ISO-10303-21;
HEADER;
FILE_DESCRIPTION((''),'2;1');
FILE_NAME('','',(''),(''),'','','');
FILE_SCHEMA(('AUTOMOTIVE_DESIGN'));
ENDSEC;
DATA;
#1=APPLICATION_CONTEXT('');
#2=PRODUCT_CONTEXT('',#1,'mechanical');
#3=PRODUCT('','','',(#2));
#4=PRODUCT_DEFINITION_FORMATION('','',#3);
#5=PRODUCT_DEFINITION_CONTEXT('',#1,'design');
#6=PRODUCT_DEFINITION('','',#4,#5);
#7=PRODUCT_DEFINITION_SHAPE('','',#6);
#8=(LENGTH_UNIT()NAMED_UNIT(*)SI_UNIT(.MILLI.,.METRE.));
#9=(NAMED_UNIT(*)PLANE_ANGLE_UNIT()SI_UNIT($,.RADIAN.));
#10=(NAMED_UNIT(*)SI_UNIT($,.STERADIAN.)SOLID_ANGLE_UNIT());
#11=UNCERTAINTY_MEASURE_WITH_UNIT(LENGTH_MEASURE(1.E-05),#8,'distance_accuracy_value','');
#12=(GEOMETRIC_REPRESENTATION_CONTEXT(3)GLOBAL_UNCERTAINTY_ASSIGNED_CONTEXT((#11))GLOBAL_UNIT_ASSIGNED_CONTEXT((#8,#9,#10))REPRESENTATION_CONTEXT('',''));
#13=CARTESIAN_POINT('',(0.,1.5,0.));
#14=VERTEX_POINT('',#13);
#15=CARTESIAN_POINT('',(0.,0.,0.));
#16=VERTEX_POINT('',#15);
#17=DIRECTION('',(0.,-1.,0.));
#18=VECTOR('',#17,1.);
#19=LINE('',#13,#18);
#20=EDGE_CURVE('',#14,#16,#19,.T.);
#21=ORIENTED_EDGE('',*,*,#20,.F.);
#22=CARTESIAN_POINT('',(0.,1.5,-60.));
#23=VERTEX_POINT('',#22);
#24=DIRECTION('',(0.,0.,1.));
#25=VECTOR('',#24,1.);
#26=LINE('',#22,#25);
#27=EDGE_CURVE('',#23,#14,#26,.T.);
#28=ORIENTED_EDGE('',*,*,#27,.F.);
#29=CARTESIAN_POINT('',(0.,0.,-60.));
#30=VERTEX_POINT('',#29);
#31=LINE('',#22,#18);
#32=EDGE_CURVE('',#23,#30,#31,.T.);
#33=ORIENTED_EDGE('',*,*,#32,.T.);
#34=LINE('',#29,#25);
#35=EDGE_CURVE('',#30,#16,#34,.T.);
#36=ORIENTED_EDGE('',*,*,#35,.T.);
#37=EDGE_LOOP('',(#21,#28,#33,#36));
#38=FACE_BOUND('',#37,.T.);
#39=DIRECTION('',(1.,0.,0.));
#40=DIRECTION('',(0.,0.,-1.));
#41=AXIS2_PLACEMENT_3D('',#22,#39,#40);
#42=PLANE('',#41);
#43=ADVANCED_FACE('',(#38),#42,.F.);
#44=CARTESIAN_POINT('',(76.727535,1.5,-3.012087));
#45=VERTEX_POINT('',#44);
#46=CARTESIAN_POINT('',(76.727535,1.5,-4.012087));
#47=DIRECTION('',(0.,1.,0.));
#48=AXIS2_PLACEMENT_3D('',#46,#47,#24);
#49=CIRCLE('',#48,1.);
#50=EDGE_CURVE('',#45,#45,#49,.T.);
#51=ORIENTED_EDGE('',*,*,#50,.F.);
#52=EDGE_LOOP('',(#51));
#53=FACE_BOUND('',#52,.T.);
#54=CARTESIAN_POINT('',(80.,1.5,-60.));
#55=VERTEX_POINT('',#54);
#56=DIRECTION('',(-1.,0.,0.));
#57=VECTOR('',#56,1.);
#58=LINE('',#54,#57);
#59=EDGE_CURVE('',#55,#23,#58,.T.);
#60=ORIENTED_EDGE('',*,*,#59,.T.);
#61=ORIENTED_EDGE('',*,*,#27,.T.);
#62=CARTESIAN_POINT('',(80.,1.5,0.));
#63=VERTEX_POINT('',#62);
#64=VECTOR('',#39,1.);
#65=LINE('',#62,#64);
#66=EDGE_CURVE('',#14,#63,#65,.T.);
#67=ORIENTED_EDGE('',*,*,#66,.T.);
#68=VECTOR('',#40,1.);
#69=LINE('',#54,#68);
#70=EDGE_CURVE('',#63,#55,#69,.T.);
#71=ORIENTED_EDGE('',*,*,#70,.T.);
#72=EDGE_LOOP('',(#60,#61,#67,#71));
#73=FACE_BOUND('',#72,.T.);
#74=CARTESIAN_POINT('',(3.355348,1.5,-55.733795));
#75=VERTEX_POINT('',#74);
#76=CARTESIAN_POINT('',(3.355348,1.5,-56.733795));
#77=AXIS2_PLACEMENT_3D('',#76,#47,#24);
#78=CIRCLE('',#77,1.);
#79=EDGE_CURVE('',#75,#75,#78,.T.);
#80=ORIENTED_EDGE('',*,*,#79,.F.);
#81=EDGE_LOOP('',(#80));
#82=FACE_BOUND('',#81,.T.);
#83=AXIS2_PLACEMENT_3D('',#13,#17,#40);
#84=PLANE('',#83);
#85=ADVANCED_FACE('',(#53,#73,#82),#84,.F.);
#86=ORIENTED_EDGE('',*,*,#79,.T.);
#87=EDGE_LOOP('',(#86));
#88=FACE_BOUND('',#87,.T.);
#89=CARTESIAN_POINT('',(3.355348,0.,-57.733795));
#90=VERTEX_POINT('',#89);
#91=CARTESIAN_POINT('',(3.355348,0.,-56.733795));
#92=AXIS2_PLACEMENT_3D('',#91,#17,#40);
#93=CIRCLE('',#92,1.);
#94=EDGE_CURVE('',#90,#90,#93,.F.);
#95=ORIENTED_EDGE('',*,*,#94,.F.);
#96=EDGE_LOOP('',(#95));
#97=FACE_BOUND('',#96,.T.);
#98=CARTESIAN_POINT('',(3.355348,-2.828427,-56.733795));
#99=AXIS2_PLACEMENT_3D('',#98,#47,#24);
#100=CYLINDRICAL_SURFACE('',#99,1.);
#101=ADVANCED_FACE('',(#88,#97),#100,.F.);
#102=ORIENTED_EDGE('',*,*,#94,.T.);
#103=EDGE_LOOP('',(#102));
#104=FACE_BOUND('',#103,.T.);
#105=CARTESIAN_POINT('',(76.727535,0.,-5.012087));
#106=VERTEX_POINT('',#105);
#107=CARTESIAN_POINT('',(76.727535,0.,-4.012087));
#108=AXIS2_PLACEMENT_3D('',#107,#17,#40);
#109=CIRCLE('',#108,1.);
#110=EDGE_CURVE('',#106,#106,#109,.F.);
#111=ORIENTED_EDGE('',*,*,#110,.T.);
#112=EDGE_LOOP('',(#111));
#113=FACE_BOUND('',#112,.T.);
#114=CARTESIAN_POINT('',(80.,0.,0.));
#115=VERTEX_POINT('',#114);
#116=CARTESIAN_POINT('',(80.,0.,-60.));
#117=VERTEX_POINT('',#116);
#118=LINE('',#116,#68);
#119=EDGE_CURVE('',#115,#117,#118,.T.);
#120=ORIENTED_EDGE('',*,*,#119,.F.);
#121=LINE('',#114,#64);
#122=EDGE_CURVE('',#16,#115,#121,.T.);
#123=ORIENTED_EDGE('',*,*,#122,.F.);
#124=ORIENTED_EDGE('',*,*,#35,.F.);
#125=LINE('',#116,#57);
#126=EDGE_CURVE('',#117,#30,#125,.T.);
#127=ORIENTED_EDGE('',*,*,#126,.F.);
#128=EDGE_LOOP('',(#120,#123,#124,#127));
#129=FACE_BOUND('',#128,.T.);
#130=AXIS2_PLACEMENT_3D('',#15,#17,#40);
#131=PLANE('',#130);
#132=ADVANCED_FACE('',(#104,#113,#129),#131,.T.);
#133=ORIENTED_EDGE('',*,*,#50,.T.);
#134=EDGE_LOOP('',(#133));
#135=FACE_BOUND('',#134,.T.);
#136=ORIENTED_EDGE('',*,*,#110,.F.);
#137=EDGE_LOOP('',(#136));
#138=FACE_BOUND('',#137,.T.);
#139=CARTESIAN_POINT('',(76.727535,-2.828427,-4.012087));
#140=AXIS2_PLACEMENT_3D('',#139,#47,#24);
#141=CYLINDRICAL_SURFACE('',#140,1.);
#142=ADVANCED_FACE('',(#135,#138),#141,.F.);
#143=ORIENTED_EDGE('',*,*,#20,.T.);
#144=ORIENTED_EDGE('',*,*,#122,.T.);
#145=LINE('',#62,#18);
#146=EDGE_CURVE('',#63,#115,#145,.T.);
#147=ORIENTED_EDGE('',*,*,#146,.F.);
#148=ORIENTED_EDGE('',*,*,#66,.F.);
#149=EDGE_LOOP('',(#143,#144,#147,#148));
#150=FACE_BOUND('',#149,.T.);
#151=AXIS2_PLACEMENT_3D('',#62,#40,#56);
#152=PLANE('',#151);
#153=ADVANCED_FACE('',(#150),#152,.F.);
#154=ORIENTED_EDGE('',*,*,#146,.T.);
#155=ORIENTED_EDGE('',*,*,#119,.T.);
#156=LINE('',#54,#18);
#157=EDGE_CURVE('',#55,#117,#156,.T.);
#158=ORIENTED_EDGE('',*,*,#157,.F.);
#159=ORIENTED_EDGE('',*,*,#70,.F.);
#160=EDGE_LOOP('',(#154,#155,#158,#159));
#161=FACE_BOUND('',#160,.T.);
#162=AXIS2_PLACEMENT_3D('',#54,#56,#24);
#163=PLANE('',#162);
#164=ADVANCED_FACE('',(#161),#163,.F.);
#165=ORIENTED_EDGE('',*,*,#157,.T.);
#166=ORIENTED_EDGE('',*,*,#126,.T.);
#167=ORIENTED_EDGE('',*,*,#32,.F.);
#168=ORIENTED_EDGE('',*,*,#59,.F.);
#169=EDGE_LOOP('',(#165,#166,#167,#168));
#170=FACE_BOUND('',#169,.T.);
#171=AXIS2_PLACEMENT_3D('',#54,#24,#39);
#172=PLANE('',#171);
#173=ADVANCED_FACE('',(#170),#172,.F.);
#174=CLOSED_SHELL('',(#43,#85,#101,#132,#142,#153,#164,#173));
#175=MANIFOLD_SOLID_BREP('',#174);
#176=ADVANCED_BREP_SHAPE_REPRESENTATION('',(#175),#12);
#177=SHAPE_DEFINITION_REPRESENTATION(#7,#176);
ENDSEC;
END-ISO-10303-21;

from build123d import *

# Parameters (mm, degrees)
ESQUISSE1_W             = 80
ESQUISSE1_H             = 60
BOSS_EXTRU_1_DEPTH      = 1.5
ESQUISSE3_R             = 1
ENL_V_MAT_EXTRU_1_DEPTH = 1.5


with BuildPart() as part:
    # Esquisse1 → Boss.-Extru.1 (new body)
    with BuildSketch(Plane(origin=(0, 0, 0), x_dir=(1, 0, 0), z_dir=(0, 1, 0))):
        with Locations((40, 30)):
            Rectangle(ESQUISSE1_W, ESQUISSE1_H)
    extrude(amount=BOSS_EXTRU_1_DEPTH)

    # Esquisse3 → Enlèv. mat.-Extru.1 (cut)
    with BuildSketch(Plane(origin=(0, 1.5, 0), x_dir=(1, 0, 0), z_dir=(0, 1, 0))):
        with Locations((3.355347988, 56.733795056)):
            Circle(ESQUISSE3_R)
        with Locations((76.72753532, 4.012087441)):
            Circle(ESQUISSE3_R)
    extrude(amount=-ENL_V_MAT_EXTRU_1_DEPTH, mode=Mode.SUBTRACT)


solid = part.part
